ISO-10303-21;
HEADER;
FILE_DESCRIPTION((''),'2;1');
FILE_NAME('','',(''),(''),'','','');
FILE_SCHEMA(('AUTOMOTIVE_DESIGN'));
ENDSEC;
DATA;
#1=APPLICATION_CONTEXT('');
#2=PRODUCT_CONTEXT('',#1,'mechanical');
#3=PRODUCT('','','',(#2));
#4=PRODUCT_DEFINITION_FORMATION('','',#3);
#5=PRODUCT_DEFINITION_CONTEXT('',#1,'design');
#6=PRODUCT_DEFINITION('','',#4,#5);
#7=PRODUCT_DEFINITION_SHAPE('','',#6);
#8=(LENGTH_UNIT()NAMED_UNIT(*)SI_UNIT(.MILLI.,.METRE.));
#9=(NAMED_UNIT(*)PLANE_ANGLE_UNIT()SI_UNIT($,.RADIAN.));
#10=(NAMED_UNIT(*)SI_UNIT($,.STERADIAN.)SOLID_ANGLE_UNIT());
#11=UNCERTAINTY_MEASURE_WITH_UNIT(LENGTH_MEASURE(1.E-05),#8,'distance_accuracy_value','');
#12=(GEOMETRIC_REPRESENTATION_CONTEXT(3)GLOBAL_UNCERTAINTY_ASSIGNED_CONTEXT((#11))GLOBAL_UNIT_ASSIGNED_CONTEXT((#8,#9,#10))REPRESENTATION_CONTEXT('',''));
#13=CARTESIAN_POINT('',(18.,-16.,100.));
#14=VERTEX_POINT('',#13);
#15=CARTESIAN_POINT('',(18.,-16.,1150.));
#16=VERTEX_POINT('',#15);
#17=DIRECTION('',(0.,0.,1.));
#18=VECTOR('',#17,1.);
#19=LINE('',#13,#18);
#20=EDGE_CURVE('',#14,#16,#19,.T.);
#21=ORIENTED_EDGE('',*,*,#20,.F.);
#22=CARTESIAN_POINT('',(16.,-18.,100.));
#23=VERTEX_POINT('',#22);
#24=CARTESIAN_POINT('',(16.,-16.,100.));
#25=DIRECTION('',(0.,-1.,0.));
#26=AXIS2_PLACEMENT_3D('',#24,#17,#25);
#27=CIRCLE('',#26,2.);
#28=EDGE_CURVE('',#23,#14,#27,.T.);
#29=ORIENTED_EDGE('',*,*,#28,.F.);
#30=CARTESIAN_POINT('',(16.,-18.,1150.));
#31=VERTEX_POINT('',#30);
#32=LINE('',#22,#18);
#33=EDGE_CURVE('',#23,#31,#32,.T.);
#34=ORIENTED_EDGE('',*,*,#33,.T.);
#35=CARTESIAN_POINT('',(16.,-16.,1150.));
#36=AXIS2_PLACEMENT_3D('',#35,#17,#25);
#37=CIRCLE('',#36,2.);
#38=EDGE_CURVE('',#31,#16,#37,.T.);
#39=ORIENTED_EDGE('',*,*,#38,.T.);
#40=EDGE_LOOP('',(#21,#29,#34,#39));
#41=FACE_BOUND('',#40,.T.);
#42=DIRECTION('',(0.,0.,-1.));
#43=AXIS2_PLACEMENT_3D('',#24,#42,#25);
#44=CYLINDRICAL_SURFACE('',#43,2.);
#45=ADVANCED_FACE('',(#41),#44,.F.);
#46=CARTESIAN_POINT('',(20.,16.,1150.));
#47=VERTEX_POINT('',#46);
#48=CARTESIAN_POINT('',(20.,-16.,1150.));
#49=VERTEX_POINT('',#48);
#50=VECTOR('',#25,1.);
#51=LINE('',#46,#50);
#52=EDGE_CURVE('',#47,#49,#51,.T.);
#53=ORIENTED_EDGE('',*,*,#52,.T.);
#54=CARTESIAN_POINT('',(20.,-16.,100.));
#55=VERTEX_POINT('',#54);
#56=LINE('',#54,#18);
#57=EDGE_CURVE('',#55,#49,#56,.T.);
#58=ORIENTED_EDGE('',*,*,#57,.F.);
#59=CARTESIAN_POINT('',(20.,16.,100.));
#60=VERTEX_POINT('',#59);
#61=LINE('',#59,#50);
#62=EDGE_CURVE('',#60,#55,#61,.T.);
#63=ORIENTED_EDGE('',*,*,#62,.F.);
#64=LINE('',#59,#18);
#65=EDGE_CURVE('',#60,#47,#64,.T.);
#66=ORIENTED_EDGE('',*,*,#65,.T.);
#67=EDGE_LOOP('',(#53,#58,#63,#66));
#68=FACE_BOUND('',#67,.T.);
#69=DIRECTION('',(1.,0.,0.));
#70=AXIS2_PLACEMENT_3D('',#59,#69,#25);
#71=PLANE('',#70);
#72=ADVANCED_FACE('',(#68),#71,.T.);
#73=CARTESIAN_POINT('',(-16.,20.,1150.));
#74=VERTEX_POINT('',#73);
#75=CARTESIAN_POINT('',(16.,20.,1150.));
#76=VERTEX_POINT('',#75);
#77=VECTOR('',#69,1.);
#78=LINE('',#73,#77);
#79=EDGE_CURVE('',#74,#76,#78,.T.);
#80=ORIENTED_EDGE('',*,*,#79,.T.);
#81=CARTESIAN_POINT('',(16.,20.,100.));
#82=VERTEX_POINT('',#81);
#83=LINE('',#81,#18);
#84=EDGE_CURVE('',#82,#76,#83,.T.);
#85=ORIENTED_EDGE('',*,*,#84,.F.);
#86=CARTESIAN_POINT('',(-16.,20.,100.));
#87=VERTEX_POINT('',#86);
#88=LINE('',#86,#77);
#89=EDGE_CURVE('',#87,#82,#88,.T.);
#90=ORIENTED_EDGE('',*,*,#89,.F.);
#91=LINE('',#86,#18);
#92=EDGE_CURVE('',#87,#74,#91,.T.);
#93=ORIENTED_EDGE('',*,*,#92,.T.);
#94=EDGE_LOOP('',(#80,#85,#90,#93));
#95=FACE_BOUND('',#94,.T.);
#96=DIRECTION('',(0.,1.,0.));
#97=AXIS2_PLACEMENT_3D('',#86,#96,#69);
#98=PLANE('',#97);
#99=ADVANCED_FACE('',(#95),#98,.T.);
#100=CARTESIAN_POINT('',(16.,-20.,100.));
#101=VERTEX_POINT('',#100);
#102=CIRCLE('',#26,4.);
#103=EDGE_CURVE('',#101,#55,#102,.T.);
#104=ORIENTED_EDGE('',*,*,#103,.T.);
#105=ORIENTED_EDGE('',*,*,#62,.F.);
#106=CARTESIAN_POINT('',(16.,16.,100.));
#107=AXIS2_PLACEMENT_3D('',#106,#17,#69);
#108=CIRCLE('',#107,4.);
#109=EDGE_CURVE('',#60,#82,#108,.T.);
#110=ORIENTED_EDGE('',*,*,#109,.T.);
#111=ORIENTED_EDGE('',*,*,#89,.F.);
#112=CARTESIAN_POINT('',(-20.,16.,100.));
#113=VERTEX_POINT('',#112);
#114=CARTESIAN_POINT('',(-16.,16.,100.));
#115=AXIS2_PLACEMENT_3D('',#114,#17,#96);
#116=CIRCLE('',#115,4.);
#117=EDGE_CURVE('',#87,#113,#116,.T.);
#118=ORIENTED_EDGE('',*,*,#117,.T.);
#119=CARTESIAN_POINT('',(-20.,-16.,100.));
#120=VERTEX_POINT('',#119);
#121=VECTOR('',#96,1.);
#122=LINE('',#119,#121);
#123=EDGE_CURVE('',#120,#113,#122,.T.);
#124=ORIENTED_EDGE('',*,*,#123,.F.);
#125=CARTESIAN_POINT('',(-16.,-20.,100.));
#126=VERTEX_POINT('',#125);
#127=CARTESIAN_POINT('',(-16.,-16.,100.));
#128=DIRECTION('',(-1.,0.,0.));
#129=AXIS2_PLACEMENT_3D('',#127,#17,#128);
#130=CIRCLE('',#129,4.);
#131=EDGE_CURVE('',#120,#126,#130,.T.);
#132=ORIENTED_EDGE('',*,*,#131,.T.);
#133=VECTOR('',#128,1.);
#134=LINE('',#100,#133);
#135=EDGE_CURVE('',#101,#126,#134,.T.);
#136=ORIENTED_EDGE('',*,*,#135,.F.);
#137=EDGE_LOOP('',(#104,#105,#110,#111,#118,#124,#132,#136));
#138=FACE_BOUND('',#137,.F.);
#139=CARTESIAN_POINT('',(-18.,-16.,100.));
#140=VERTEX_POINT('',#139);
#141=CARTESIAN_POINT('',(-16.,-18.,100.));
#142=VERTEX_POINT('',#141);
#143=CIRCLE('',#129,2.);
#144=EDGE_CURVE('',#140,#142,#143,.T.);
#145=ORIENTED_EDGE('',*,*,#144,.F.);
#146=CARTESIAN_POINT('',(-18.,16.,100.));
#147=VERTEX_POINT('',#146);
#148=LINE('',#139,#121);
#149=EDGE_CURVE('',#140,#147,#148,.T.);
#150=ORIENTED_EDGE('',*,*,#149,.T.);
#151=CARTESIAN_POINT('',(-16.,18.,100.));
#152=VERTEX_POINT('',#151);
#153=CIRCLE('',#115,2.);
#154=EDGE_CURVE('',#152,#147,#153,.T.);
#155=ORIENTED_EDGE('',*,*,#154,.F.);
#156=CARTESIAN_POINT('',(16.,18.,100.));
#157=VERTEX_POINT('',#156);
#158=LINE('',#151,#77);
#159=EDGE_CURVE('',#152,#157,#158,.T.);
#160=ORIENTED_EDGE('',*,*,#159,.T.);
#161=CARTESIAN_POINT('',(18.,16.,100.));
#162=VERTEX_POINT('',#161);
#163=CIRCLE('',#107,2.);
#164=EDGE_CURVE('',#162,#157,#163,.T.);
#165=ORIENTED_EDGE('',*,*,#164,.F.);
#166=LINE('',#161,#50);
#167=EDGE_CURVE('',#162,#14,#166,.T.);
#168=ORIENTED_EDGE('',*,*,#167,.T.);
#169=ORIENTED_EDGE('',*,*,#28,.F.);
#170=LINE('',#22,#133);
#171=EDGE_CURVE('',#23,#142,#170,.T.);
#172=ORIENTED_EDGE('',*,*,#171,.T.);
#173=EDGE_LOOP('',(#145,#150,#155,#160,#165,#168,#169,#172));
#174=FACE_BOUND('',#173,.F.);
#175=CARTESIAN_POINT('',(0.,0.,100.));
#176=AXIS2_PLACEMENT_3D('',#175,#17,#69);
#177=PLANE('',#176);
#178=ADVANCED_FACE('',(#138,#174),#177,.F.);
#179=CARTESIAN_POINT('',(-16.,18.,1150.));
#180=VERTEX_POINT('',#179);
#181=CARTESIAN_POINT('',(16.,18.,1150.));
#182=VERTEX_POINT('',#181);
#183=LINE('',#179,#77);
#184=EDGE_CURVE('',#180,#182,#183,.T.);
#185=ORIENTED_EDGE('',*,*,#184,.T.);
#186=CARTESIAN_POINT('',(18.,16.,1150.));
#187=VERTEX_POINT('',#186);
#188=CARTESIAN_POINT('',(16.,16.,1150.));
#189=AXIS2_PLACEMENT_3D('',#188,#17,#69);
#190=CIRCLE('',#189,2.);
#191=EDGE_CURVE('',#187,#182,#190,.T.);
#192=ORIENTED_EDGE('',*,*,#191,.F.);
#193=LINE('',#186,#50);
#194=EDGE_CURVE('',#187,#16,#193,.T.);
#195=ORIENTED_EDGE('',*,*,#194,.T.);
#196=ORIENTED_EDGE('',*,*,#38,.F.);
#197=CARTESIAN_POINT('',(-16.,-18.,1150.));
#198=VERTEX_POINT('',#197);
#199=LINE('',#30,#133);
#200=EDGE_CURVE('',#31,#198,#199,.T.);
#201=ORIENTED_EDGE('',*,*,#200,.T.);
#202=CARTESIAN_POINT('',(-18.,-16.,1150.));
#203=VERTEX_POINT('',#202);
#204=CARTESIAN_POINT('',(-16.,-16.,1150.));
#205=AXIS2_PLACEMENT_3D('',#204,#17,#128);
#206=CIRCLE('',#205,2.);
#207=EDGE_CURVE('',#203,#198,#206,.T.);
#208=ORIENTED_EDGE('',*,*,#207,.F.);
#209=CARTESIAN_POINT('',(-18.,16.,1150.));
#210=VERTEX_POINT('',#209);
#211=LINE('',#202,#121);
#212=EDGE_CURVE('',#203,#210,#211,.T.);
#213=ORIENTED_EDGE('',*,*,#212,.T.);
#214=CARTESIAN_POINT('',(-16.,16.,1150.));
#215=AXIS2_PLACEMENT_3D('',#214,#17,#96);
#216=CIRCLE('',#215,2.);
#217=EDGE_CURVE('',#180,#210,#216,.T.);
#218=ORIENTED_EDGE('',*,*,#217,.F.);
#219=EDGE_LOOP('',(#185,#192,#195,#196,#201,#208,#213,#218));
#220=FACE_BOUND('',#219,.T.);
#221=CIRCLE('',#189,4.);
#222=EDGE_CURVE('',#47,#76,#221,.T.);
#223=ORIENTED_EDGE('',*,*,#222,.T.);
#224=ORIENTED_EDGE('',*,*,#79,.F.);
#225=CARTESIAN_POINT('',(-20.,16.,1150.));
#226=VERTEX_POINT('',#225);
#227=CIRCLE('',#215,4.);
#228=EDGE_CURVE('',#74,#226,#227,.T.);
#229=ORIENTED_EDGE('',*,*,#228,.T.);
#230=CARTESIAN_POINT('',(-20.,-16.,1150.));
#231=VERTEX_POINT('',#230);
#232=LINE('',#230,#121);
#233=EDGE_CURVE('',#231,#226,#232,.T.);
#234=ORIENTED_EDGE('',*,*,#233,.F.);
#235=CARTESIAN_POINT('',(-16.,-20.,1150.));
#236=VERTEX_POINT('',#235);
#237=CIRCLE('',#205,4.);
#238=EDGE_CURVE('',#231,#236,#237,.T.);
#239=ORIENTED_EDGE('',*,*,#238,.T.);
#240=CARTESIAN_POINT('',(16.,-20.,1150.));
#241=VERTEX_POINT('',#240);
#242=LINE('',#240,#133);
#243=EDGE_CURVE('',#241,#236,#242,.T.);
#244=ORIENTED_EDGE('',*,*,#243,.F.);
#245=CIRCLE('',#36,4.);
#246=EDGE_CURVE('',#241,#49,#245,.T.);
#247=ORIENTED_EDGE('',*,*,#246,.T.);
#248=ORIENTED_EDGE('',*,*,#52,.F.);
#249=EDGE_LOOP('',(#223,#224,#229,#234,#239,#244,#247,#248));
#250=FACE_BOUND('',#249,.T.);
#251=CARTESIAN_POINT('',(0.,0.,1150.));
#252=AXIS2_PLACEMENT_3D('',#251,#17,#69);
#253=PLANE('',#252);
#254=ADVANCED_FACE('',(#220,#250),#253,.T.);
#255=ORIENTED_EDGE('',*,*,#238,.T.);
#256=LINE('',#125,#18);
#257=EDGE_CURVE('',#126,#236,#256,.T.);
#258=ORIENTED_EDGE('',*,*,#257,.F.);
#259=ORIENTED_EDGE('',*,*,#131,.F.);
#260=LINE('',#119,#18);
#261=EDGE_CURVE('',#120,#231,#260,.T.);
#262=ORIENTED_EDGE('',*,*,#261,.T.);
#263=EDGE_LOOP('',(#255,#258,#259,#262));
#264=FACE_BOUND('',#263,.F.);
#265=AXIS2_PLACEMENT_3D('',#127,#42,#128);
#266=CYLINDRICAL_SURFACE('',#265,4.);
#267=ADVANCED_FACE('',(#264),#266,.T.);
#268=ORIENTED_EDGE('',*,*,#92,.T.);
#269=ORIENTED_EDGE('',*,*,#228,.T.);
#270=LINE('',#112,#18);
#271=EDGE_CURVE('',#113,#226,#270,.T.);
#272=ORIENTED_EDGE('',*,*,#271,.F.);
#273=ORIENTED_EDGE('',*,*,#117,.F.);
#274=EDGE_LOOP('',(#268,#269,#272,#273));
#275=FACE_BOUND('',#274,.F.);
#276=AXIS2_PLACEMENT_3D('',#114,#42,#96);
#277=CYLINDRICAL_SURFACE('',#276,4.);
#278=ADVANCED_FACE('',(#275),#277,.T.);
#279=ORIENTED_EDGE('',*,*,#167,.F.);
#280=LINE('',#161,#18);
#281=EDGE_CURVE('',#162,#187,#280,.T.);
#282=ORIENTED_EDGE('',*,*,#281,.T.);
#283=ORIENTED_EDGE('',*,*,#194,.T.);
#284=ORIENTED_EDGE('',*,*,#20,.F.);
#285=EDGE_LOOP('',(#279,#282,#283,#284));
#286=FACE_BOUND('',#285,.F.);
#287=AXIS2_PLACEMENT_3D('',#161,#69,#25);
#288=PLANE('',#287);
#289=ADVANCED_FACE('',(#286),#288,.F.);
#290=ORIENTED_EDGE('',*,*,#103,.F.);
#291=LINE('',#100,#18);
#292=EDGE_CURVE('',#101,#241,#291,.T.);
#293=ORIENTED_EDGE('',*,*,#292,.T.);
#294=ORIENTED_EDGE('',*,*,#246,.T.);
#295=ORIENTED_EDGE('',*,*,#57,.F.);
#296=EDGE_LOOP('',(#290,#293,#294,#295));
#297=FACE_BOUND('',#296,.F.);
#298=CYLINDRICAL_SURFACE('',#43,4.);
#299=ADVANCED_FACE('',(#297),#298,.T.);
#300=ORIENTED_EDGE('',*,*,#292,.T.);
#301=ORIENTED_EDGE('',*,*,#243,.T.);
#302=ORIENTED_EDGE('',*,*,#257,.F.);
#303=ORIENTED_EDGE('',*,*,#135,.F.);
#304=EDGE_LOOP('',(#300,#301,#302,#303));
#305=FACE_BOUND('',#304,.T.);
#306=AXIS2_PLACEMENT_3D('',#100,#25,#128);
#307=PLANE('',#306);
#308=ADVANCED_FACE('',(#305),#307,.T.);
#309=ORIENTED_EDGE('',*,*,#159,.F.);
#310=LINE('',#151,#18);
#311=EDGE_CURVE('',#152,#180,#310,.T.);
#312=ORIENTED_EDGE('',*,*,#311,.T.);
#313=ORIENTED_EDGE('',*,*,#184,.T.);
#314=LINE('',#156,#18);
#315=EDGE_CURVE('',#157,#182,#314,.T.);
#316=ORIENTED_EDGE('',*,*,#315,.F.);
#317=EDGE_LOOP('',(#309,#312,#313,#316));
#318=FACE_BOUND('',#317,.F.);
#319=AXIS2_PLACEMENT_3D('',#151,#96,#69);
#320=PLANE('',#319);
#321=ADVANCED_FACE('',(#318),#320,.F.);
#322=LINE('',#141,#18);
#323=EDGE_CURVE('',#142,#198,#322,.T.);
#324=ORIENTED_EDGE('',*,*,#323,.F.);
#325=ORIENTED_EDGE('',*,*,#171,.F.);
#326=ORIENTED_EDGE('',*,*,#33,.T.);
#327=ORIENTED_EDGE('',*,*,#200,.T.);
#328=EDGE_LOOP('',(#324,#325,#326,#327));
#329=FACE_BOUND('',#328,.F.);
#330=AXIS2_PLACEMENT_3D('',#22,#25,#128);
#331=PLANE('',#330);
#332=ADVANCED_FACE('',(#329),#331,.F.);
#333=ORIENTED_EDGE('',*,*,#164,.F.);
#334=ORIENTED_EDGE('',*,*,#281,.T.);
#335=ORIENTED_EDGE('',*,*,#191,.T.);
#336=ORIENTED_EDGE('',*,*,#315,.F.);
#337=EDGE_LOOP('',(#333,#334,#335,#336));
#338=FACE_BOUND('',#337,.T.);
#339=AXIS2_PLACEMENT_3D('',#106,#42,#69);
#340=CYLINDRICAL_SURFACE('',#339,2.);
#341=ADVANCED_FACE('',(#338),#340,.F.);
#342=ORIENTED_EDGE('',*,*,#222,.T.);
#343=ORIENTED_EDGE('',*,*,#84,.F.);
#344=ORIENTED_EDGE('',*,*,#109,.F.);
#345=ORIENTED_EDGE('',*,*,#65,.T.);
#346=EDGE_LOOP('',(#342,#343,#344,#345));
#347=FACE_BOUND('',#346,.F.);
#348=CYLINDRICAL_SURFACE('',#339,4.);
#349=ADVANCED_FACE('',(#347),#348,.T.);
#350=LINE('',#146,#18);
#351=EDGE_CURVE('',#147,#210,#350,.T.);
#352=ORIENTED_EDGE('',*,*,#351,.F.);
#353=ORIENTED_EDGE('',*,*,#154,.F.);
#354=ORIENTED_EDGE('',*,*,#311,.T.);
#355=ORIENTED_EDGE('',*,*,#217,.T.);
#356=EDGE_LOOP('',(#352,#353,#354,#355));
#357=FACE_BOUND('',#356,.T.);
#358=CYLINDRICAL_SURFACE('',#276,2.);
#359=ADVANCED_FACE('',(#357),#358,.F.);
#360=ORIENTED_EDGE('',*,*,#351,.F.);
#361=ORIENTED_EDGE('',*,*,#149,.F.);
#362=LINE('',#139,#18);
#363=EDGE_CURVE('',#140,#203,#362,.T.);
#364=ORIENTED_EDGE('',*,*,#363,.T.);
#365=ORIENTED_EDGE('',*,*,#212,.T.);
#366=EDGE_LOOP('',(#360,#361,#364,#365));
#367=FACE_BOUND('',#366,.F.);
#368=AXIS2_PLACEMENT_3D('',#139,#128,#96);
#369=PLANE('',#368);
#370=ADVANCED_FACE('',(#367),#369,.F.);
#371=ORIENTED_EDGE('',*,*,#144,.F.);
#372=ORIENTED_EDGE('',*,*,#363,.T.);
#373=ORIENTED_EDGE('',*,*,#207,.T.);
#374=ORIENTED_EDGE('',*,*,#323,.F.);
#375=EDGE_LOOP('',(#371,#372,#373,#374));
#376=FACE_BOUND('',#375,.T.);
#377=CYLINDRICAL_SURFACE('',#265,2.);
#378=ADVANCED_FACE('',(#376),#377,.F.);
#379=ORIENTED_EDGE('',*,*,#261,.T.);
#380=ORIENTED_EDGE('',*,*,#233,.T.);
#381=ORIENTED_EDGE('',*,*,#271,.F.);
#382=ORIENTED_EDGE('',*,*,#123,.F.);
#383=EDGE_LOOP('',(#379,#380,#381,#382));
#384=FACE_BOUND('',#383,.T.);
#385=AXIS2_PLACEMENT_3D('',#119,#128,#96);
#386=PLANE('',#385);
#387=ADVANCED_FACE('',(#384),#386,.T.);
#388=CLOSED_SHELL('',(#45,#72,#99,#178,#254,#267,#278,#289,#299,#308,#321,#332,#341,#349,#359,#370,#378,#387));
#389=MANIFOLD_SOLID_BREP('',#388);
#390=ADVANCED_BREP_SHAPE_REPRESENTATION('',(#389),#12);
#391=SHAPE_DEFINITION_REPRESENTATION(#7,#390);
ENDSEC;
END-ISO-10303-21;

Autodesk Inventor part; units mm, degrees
ref_plane "YZ Plane" through (0, 0, 0) normal (1, 0, 0) x (0, 1, 0)
ref_plane "Start Plane" through (0, 0, 100) normal (0, 0, 1) x (1, 0, 0)
ref_plane "End Plane" through (0, 0, 1150) normal (0, 0, 1) x (1, 0, 0)
sketch "Sketch" plane through (0, 0, 0) normal (0, 0, 1) x (1, 0, 0)
  line L0 (-20, -16) -> (-20, 16)
  line L1 (-16, 20) -> (16, 20)
  line L2 (20, 16) -> (20, -16)
  line L3 (16, -20) -> (-16, -20)
  arc A0 (-20, -16) -> (-16, -20) centre (-16, -16) ccw
  arc A1 (20, 16) -> (16, 20) centre (16, 16) ccw
  arc A2 (-16, 20) -> (-20, 16) centre (-16, 16) ccw
  arc A3 (16, -20) -> (20, -16) centre (16, -16) ccw
  arc A4 (-16, 18) -> (-18, 16) centre (-16, 16) ccw
  line L4 (-16, 18) -> (16, 18)
  arc A5 (18, 16) -> (16, 18) centre (16, 16) ccw
  line L5 (18, 16) -> (18, -16)
  arc A6 (16, -18) -> (18, -16) centre (16, -16) ccw
  line L6 (16, -18) -> (-16, -18)
  arc A7 (-18, -16) -> (-16, -18) centre (-16, -16) ccw
  line L7 (-18, -16) -> (-18, 16)
  line L8 (0, 29.1598) -> (0, -29.1598) construction
  line L9 (-29.1598, 0) -> (29.1598, 0) construction
  dimension "d7" = 4
  dimension "d9" = 40
  dimension "d11" = 40
  dimension "d12" = 2
  dimension "d15" = 20
  dimension "d16" = 20
extrude "Body" add sketch "Sketch" along normal up to surface (1050 mm away) from surface at 100
sketch "Sketch3" plane through (0, 0, 0) normal (0, 0, 1) x (1, 0, 0)
  line L0 (0, 0) -> (10, 0)
ref_plane "Work Plane3" through (0, 0, 0) normal (0, -1, 0) x (1, 0, 0)
sketch "Sketch4" plane through (0, 0, 0) normal (0, -1, 0) x (1, 0, 0)
  line L0 (-2, 100) -> (12, 100) projected
  line L1 (-2, 1150) -> (12, 1150) projected
  dimension "d18" = 1050
equation "\"d7\" = G_IR"
equation "\"d9\" = G_W"
equation "\"d11\" = G_H"
equation "\"d12\" = G_T"
equation "\"d15\" = 0.5 * d9"
equation "\"d16\" = 0.5 * d11"
equation "\"d3\" = G_L"
equation "\"G_W\" = 40"
equation "\"G_H\" = 40"
equation "\"G_T\" = 2"
equation "\"G_IR\" = 4"
equation "\"G_L\" = d18"
properties part number "ISO 10799-2 - 40x40x2 - 1050" material "Steel, Mild"
